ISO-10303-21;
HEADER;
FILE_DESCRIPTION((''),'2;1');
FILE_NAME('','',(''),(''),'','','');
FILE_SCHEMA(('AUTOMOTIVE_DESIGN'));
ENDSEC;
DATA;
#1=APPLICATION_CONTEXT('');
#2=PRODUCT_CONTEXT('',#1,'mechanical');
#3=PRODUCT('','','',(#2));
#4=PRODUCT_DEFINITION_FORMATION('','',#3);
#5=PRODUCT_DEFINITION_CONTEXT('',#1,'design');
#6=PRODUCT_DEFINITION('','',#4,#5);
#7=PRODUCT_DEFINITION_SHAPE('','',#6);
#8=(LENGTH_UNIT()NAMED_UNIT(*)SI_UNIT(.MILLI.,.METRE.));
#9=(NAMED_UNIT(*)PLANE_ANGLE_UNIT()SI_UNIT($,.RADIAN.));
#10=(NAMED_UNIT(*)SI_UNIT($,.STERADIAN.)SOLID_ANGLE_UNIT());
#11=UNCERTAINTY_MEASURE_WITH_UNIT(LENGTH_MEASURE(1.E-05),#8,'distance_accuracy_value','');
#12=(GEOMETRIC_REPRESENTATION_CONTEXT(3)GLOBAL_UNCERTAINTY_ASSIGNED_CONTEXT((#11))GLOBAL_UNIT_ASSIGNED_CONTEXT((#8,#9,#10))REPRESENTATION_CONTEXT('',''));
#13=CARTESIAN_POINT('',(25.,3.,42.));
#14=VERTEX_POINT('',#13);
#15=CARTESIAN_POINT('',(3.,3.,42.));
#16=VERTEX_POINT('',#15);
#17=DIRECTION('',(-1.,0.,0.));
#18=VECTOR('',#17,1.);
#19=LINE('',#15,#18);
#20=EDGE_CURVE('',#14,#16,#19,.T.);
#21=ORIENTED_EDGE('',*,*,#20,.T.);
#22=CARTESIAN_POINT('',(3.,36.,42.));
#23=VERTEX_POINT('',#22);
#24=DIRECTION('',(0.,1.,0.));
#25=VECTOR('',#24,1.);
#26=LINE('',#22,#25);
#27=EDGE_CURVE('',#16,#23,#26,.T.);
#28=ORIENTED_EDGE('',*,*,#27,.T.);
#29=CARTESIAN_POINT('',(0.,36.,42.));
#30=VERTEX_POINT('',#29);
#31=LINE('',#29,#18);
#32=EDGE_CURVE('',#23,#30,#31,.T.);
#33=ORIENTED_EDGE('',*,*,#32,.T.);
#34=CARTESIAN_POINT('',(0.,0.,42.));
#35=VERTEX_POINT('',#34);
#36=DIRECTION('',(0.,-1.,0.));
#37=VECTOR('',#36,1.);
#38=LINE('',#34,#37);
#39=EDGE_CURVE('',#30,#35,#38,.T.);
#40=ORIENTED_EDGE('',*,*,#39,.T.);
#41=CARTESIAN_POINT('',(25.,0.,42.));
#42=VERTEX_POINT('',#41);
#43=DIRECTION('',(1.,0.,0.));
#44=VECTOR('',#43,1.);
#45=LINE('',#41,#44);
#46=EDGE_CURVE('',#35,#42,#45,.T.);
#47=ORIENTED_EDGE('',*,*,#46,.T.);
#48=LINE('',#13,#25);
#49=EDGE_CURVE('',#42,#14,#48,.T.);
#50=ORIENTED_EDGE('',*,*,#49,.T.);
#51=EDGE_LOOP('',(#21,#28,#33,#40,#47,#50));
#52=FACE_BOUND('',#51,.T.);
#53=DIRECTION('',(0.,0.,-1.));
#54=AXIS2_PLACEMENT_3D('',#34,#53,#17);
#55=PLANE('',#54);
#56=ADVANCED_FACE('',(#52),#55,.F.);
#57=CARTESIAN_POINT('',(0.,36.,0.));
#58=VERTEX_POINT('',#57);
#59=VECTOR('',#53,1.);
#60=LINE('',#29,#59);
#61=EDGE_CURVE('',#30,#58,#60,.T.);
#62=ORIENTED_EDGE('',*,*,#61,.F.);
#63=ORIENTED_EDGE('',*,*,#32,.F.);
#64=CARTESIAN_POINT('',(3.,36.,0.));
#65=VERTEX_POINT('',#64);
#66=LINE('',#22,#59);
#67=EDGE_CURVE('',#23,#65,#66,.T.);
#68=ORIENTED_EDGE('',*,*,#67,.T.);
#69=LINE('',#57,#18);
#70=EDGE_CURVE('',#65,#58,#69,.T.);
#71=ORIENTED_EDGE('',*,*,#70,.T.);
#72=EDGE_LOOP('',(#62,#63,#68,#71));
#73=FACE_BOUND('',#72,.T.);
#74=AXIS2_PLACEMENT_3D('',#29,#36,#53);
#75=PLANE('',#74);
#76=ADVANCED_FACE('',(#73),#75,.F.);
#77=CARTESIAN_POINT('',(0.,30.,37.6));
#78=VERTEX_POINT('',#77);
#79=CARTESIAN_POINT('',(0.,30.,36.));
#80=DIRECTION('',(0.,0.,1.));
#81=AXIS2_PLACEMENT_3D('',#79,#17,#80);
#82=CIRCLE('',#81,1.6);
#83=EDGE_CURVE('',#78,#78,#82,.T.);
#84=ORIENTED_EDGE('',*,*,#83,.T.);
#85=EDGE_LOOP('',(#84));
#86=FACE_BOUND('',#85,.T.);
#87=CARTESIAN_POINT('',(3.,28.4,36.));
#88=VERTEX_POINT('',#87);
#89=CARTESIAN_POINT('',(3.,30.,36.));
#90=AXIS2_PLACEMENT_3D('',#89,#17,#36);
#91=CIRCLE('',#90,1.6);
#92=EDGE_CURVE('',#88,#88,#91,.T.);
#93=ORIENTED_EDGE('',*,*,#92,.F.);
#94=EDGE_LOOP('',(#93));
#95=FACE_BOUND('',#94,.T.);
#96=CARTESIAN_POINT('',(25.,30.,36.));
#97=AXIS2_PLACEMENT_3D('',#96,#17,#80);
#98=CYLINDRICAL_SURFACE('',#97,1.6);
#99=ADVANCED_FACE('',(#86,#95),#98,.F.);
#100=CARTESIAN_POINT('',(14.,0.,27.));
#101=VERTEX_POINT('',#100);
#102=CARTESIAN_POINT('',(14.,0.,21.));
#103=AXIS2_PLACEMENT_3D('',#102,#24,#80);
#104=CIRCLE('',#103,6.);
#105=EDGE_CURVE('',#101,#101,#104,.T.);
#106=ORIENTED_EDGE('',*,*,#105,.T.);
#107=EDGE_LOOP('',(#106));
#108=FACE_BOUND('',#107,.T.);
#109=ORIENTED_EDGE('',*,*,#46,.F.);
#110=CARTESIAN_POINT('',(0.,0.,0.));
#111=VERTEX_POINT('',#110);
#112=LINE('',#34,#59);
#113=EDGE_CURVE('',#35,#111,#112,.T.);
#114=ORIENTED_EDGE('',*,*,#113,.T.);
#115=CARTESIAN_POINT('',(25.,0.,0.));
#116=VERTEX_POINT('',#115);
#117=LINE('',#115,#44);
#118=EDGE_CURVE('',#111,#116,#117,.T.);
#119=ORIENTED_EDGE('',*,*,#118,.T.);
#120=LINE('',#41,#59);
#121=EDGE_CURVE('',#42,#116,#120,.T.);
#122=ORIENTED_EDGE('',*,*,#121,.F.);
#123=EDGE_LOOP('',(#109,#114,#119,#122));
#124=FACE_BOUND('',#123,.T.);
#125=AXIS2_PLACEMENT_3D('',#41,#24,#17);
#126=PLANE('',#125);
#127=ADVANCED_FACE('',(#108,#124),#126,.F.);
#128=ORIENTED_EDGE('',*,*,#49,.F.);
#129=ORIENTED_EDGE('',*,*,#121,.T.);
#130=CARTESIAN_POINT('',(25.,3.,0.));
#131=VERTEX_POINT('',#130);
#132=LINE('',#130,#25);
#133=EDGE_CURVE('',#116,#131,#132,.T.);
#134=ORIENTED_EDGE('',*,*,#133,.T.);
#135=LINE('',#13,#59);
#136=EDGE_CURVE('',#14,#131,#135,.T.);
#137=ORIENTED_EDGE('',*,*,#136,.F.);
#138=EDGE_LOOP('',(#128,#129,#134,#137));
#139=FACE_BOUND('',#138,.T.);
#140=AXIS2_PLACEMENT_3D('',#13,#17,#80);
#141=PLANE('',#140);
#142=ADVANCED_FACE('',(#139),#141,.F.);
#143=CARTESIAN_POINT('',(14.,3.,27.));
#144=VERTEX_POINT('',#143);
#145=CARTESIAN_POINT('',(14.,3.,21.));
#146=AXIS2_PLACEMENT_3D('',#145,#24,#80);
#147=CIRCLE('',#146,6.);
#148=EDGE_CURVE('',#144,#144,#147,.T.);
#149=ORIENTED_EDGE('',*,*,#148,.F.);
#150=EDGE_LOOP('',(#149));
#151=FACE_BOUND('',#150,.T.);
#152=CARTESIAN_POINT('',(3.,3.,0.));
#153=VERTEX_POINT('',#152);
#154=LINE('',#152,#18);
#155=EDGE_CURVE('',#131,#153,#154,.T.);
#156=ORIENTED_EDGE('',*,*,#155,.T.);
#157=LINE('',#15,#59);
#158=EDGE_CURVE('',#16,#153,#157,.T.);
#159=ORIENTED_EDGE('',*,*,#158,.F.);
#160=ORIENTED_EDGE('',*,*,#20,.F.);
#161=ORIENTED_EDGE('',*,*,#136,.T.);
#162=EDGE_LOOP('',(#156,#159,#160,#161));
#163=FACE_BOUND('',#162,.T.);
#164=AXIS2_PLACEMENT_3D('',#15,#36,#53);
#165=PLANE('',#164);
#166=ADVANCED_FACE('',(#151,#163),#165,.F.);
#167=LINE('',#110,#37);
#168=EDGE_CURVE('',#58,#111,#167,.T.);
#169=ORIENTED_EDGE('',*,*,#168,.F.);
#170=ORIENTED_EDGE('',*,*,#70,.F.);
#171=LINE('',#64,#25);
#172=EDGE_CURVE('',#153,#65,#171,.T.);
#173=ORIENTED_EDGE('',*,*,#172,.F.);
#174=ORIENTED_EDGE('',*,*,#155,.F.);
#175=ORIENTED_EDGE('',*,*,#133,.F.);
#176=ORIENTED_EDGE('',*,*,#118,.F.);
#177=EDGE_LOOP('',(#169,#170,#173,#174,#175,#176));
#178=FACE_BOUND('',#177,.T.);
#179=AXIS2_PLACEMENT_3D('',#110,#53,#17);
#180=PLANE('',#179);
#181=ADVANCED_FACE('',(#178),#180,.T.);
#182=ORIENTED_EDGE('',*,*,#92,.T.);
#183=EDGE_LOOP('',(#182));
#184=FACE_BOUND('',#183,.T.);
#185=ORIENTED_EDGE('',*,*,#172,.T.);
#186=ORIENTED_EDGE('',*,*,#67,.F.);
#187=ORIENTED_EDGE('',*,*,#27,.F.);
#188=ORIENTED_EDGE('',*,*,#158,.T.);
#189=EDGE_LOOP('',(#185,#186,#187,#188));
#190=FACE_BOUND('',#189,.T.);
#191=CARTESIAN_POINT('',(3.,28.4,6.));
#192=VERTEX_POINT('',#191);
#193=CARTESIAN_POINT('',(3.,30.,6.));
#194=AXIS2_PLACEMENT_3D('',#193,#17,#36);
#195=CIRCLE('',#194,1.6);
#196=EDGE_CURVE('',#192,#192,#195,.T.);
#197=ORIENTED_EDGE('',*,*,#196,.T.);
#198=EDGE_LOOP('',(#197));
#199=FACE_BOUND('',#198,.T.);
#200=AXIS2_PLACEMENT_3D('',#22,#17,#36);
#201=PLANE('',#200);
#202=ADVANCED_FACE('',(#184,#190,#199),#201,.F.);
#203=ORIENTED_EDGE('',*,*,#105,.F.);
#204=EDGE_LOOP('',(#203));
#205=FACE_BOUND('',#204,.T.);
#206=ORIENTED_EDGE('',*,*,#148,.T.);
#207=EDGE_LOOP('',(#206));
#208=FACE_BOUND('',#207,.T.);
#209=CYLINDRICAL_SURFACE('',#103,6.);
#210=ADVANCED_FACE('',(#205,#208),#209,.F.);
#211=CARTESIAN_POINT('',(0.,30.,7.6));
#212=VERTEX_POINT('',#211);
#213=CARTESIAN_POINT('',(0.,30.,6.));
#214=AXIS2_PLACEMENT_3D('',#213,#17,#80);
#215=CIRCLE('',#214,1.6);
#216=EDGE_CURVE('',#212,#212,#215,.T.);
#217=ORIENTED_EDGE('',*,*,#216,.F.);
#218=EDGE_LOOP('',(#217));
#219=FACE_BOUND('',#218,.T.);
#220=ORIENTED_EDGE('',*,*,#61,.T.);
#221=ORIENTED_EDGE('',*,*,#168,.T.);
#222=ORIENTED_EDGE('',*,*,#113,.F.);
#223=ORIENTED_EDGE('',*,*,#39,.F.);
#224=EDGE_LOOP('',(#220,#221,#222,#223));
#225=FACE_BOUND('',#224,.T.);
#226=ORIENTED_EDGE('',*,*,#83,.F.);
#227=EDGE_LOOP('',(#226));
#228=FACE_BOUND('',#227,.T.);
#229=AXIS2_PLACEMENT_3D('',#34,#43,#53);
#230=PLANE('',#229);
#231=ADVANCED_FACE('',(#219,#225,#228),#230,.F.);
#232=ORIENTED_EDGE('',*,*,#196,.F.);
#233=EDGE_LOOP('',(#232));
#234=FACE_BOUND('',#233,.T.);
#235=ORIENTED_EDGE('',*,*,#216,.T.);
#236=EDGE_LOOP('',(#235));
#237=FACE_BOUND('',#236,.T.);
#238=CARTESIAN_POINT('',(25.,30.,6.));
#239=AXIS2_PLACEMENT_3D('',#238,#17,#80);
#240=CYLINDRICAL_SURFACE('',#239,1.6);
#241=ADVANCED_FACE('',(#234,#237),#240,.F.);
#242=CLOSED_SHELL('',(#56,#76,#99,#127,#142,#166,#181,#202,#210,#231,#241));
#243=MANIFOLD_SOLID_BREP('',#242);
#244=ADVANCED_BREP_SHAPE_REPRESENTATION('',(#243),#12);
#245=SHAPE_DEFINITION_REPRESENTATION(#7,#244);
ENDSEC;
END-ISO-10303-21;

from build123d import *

# Parameters (mm, degrees)
EXTRUDE_1_DEPTH     = 42
SKETCH_2_R          = 1.6
CUT_EXTRUDE_1_DEPTH = 26
SKETCH_3_R          = 6
CUT_EXTRUDE_2_DEPTH = 4


with BuildPart() as part:
    # ｽｹｯﾁ1 → ﾎﾞｽ - 押し出し1 (new body)
    with BuildSketch(Plane.XY):
        Polygon((0, 0), (0, 36), (3, 36), (3, 3), (25, 3), (25, 0), align=None)
    extrude(amount=EXTRUDE_1_DEPTH)

    # ｽｹｯﾁ2 → ｶｯﾄ - 押し出し1 (cut, through all)
    with BuildSketch(Plane.ZY):
        with Locations((36, 30)):
            Circle(SKETCH_2_R)
        with Locations((6, 30)):
            Circle(SKETCH_2_R)
    extrude(amount=-CUT_EXTRUDE_1_DEPTH, mode=Mode.SUBTRACT)

    # ｽｹｯﾁ3 → ｶｯﾄ - 押し出し2 (cut, through all)
    with BuildSketch(Plane(origin=(0, 3, 0), x_dir=(1, 0, 0), z_dir=(0, 1, 0))):
        with Locations((14, -21)):
            Circle(SKETCH_3_R)
    extrude(amount=-CUT_EXTRUDE_2_DEPTH, mode=Mode.SUBTRACT)


solid = part.part
